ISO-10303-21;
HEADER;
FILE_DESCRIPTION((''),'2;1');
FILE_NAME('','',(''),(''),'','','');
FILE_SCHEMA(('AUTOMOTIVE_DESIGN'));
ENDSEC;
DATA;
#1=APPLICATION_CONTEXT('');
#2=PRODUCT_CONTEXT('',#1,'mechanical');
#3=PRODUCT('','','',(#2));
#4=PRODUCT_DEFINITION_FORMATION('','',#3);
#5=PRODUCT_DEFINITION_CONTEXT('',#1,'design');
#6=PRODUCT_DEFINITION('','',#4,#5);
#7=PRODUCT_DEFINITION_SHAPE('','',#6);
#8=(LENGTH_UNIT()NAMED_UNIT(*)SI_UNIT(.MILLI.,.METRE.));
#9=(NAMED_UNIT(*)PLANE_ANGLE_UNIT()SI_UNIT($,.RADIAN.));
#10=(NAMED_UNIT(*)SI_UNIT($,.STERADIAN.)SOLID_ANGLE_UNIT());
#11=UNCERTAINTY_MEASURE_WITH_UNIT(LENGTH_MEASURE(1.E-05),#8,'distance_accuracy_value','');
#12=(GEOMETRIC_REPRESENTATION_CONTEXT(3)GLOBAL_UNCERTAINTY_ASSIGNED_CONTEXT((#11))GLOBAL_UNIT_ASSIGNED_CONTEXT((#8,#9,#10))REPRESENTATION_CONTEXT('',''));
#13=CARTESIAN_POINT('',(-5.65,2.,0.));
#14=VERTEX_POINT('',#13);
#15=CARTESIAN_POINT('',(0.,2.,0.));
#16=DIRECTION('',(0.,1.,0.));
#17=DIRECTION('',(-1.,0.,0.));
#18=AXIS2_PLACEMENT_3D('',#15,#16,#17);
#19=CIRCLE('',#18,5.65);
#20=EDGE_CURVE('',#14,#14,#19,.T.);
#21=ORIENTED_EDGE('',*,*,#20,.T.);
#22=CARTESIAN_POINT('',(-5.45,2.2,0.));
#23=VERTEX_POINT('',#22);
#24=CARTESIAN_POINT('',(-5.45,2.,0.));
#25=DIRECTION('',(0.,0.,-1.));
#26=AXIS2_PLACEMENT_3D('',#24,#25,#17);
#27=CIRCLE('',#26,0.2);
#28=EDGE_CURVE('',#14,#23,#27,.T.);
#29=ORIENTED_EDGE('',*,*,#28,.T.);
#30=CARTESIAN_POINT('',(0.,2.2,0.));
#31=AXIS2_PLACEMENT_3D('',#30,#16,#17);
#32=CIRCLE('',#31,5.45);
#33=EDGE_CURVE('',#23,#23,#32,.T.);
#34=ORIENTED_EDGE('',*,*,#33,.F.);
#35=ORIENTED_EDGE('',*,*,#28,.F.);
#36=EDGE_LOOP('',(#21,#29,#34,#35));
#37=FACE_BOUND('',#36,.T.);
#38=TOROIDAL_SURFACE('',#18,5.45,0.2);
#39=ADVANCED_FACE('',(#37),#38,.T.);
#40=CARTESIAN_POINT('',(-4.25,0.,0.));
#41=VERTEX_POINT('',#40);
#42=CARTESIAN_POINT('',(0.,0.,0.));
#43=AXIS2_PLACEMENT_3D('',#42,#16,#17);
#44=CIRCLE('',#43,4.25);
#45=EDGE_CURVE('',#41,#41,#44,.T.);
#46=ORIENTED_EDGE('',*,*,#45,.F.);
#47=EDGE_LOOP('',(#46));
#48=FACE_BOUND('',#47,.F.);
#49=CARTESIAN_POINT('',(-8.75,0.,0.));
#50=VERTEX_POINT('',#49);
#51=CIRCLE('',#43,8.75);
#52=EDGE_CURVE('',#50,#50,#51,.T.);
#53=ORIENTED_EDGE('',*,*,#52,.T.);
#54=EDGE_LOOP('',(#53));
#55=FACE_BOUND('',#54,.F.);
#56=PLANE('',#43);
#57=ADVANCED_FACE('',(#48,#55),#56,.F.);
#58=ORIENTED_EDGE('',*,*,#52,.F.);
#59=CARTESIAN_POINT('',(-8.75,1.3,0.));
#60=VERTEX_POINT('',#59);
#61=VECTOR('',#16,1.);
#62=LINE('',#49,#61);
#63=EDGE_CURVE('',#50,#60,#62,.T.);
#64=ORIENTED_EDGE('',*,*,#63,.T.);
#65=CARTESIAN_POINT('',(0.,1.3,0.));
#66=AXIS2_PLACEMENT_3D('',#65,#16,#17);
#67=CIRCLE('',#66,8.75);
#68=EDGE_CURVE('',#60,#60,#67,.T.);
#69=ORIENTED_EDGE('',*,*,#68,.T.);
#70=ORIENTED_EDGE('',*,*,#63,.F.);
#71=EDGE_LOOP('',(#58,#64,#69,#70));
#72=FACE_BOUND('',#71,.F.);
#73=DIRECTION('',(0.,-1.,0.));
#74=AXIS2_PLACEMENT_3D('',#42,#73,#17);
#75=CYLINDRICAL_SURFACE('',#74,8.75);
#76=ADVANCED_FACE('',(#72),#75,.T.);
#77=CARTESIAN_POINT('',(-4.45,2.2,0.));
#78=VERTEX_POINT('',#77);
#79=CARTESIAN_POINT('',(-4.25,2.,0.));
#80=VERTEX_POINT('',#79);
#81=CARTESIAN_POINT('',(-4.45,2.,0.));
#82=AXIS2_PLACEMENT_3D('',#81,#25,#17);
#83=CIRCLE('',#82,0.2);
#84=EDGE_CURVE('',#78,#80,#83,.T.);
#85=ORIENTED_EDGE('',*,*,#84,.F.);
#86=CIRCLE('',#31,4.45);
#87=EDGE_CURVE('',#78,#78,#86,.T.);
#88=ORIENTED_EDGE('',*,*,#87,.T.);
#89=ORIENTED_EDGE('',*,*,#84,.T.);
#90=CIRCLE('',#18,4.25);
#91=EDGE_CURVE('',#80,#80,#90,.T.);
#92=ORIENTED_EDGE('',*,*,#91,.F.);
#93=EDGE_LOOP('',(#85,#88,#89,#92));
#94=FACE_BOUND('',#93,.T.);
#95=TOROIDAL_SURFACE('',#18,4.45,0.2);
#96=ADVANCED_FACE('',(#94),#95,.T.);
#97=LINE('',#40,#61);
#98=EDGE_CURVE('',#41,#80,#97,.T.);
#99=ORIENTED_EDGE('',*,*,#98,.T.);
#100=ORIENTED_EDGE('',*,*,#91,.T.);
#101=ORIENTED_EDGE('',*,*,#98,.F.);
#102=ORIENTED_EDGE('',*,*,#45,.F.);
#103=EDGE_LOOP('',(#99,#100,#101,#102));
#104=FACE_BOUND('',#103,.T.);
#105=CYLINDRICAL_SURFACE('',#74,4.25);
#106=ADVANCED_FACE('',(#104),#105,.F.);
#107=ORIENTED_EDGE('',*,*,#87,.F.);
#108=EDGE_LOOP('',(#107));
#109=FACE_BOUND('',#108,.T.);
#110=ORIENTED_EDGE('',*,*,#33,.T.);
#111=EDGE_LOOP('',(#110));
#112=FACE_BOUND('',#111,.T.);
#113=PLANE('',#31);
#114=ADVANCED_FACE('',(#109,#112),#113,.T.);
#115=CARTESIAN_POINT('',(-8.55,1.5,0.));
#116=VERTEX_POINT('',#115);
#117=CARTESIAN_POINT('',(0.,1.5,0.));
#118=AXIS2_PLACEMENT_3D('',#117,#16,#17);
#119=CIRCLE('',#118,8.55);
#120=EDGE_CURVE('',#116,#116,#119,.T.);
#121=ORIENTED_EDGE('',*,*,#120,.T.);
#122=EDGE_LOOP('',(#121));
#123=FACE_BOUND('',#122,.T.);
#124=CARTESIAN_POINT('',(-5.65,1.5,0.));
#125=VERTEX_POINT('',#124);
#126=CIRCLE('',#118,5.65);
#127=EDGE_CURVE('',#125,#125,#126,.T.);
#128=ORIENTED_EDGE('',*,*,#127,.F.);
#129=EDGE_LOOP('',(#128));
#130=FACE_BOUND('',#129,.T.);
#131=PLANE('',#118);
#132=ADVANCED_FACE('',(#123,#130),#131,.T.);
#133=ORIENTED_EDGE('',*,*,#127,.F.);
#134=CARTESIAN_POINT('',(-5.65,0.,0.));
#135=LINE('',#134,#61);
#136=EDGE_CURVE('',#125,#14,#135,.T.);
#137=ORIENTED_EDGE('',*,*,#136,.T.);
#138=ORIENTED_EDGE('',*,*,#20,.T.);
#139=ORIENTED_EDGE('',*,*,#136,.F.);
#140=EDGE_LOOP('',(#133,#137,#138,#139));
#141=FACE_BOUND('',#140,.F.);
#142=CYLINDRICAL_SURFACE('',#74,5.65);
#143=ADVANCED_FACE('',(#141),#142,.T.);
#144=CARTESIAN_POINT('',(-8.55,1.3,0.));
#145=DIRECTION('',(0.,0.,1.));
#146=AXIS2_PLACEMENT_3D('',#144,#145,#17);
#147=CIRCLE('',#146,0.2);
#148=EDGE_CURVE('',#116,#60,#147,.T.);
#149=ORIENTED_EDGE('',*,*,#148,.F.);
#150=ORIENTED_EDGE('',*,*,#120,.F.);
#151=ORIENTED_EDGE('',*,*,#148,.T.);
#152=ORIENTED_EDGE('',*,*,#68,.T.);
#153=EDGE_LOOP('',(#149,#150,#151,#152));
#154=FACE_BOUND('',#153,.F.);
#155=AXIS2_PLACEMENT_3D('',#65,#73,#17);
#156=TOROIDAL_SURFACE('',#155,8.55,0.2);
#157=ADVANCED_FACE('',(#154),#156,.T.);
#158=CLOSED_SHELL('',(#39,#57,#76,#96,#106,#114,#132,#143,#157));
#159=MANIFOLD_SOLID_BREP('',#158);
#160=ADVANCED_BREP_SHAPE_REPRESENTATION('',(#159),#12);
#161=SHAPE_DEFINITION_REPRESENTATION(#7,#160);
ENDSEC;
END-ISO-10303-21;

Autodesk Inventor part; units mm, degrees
ref_plane "YZ Plane" through (0, 0, 0) normal (1, 0, 0) x (0, 1, 0)
ref_plane "XZ Plane" through (0, 0, 0) normal (0, 1, 0) x (-1, 0, 0)
ref_plane "XY Plane" through (0, 0, 0) normal (0, 0, 1) x (1, 0, 0)
sketch "Sketch1" plane through (0, 0, 0) normal (0, 1, 0) x (-1, 0, 0)
  circle A0 centre (0, 0) radius 8.75
  circle A1 centre (0, 0) radius 5.65
  circle A2 centre (0, 0) radius 4.25
  dimension "d0" = 17.5
  dimension "d1" = 11.3
  dimension "d2" = 8.5
extrude "Extrusion1" add sketch "Sketch1" along normal blind 2.2 contours A1
extrude "Extrusion2" add sketch "Sketch1" along normal blind 1.5 contours A0
fillet "Fillet1" radius 0.2 3 edges at (4.25, 2.2, 0) (5.65, 2.2, 0) (8.75, 1.5, 0)
properties part number "ZKE-Term-Solid-Shim" material "ABS Plastic"
